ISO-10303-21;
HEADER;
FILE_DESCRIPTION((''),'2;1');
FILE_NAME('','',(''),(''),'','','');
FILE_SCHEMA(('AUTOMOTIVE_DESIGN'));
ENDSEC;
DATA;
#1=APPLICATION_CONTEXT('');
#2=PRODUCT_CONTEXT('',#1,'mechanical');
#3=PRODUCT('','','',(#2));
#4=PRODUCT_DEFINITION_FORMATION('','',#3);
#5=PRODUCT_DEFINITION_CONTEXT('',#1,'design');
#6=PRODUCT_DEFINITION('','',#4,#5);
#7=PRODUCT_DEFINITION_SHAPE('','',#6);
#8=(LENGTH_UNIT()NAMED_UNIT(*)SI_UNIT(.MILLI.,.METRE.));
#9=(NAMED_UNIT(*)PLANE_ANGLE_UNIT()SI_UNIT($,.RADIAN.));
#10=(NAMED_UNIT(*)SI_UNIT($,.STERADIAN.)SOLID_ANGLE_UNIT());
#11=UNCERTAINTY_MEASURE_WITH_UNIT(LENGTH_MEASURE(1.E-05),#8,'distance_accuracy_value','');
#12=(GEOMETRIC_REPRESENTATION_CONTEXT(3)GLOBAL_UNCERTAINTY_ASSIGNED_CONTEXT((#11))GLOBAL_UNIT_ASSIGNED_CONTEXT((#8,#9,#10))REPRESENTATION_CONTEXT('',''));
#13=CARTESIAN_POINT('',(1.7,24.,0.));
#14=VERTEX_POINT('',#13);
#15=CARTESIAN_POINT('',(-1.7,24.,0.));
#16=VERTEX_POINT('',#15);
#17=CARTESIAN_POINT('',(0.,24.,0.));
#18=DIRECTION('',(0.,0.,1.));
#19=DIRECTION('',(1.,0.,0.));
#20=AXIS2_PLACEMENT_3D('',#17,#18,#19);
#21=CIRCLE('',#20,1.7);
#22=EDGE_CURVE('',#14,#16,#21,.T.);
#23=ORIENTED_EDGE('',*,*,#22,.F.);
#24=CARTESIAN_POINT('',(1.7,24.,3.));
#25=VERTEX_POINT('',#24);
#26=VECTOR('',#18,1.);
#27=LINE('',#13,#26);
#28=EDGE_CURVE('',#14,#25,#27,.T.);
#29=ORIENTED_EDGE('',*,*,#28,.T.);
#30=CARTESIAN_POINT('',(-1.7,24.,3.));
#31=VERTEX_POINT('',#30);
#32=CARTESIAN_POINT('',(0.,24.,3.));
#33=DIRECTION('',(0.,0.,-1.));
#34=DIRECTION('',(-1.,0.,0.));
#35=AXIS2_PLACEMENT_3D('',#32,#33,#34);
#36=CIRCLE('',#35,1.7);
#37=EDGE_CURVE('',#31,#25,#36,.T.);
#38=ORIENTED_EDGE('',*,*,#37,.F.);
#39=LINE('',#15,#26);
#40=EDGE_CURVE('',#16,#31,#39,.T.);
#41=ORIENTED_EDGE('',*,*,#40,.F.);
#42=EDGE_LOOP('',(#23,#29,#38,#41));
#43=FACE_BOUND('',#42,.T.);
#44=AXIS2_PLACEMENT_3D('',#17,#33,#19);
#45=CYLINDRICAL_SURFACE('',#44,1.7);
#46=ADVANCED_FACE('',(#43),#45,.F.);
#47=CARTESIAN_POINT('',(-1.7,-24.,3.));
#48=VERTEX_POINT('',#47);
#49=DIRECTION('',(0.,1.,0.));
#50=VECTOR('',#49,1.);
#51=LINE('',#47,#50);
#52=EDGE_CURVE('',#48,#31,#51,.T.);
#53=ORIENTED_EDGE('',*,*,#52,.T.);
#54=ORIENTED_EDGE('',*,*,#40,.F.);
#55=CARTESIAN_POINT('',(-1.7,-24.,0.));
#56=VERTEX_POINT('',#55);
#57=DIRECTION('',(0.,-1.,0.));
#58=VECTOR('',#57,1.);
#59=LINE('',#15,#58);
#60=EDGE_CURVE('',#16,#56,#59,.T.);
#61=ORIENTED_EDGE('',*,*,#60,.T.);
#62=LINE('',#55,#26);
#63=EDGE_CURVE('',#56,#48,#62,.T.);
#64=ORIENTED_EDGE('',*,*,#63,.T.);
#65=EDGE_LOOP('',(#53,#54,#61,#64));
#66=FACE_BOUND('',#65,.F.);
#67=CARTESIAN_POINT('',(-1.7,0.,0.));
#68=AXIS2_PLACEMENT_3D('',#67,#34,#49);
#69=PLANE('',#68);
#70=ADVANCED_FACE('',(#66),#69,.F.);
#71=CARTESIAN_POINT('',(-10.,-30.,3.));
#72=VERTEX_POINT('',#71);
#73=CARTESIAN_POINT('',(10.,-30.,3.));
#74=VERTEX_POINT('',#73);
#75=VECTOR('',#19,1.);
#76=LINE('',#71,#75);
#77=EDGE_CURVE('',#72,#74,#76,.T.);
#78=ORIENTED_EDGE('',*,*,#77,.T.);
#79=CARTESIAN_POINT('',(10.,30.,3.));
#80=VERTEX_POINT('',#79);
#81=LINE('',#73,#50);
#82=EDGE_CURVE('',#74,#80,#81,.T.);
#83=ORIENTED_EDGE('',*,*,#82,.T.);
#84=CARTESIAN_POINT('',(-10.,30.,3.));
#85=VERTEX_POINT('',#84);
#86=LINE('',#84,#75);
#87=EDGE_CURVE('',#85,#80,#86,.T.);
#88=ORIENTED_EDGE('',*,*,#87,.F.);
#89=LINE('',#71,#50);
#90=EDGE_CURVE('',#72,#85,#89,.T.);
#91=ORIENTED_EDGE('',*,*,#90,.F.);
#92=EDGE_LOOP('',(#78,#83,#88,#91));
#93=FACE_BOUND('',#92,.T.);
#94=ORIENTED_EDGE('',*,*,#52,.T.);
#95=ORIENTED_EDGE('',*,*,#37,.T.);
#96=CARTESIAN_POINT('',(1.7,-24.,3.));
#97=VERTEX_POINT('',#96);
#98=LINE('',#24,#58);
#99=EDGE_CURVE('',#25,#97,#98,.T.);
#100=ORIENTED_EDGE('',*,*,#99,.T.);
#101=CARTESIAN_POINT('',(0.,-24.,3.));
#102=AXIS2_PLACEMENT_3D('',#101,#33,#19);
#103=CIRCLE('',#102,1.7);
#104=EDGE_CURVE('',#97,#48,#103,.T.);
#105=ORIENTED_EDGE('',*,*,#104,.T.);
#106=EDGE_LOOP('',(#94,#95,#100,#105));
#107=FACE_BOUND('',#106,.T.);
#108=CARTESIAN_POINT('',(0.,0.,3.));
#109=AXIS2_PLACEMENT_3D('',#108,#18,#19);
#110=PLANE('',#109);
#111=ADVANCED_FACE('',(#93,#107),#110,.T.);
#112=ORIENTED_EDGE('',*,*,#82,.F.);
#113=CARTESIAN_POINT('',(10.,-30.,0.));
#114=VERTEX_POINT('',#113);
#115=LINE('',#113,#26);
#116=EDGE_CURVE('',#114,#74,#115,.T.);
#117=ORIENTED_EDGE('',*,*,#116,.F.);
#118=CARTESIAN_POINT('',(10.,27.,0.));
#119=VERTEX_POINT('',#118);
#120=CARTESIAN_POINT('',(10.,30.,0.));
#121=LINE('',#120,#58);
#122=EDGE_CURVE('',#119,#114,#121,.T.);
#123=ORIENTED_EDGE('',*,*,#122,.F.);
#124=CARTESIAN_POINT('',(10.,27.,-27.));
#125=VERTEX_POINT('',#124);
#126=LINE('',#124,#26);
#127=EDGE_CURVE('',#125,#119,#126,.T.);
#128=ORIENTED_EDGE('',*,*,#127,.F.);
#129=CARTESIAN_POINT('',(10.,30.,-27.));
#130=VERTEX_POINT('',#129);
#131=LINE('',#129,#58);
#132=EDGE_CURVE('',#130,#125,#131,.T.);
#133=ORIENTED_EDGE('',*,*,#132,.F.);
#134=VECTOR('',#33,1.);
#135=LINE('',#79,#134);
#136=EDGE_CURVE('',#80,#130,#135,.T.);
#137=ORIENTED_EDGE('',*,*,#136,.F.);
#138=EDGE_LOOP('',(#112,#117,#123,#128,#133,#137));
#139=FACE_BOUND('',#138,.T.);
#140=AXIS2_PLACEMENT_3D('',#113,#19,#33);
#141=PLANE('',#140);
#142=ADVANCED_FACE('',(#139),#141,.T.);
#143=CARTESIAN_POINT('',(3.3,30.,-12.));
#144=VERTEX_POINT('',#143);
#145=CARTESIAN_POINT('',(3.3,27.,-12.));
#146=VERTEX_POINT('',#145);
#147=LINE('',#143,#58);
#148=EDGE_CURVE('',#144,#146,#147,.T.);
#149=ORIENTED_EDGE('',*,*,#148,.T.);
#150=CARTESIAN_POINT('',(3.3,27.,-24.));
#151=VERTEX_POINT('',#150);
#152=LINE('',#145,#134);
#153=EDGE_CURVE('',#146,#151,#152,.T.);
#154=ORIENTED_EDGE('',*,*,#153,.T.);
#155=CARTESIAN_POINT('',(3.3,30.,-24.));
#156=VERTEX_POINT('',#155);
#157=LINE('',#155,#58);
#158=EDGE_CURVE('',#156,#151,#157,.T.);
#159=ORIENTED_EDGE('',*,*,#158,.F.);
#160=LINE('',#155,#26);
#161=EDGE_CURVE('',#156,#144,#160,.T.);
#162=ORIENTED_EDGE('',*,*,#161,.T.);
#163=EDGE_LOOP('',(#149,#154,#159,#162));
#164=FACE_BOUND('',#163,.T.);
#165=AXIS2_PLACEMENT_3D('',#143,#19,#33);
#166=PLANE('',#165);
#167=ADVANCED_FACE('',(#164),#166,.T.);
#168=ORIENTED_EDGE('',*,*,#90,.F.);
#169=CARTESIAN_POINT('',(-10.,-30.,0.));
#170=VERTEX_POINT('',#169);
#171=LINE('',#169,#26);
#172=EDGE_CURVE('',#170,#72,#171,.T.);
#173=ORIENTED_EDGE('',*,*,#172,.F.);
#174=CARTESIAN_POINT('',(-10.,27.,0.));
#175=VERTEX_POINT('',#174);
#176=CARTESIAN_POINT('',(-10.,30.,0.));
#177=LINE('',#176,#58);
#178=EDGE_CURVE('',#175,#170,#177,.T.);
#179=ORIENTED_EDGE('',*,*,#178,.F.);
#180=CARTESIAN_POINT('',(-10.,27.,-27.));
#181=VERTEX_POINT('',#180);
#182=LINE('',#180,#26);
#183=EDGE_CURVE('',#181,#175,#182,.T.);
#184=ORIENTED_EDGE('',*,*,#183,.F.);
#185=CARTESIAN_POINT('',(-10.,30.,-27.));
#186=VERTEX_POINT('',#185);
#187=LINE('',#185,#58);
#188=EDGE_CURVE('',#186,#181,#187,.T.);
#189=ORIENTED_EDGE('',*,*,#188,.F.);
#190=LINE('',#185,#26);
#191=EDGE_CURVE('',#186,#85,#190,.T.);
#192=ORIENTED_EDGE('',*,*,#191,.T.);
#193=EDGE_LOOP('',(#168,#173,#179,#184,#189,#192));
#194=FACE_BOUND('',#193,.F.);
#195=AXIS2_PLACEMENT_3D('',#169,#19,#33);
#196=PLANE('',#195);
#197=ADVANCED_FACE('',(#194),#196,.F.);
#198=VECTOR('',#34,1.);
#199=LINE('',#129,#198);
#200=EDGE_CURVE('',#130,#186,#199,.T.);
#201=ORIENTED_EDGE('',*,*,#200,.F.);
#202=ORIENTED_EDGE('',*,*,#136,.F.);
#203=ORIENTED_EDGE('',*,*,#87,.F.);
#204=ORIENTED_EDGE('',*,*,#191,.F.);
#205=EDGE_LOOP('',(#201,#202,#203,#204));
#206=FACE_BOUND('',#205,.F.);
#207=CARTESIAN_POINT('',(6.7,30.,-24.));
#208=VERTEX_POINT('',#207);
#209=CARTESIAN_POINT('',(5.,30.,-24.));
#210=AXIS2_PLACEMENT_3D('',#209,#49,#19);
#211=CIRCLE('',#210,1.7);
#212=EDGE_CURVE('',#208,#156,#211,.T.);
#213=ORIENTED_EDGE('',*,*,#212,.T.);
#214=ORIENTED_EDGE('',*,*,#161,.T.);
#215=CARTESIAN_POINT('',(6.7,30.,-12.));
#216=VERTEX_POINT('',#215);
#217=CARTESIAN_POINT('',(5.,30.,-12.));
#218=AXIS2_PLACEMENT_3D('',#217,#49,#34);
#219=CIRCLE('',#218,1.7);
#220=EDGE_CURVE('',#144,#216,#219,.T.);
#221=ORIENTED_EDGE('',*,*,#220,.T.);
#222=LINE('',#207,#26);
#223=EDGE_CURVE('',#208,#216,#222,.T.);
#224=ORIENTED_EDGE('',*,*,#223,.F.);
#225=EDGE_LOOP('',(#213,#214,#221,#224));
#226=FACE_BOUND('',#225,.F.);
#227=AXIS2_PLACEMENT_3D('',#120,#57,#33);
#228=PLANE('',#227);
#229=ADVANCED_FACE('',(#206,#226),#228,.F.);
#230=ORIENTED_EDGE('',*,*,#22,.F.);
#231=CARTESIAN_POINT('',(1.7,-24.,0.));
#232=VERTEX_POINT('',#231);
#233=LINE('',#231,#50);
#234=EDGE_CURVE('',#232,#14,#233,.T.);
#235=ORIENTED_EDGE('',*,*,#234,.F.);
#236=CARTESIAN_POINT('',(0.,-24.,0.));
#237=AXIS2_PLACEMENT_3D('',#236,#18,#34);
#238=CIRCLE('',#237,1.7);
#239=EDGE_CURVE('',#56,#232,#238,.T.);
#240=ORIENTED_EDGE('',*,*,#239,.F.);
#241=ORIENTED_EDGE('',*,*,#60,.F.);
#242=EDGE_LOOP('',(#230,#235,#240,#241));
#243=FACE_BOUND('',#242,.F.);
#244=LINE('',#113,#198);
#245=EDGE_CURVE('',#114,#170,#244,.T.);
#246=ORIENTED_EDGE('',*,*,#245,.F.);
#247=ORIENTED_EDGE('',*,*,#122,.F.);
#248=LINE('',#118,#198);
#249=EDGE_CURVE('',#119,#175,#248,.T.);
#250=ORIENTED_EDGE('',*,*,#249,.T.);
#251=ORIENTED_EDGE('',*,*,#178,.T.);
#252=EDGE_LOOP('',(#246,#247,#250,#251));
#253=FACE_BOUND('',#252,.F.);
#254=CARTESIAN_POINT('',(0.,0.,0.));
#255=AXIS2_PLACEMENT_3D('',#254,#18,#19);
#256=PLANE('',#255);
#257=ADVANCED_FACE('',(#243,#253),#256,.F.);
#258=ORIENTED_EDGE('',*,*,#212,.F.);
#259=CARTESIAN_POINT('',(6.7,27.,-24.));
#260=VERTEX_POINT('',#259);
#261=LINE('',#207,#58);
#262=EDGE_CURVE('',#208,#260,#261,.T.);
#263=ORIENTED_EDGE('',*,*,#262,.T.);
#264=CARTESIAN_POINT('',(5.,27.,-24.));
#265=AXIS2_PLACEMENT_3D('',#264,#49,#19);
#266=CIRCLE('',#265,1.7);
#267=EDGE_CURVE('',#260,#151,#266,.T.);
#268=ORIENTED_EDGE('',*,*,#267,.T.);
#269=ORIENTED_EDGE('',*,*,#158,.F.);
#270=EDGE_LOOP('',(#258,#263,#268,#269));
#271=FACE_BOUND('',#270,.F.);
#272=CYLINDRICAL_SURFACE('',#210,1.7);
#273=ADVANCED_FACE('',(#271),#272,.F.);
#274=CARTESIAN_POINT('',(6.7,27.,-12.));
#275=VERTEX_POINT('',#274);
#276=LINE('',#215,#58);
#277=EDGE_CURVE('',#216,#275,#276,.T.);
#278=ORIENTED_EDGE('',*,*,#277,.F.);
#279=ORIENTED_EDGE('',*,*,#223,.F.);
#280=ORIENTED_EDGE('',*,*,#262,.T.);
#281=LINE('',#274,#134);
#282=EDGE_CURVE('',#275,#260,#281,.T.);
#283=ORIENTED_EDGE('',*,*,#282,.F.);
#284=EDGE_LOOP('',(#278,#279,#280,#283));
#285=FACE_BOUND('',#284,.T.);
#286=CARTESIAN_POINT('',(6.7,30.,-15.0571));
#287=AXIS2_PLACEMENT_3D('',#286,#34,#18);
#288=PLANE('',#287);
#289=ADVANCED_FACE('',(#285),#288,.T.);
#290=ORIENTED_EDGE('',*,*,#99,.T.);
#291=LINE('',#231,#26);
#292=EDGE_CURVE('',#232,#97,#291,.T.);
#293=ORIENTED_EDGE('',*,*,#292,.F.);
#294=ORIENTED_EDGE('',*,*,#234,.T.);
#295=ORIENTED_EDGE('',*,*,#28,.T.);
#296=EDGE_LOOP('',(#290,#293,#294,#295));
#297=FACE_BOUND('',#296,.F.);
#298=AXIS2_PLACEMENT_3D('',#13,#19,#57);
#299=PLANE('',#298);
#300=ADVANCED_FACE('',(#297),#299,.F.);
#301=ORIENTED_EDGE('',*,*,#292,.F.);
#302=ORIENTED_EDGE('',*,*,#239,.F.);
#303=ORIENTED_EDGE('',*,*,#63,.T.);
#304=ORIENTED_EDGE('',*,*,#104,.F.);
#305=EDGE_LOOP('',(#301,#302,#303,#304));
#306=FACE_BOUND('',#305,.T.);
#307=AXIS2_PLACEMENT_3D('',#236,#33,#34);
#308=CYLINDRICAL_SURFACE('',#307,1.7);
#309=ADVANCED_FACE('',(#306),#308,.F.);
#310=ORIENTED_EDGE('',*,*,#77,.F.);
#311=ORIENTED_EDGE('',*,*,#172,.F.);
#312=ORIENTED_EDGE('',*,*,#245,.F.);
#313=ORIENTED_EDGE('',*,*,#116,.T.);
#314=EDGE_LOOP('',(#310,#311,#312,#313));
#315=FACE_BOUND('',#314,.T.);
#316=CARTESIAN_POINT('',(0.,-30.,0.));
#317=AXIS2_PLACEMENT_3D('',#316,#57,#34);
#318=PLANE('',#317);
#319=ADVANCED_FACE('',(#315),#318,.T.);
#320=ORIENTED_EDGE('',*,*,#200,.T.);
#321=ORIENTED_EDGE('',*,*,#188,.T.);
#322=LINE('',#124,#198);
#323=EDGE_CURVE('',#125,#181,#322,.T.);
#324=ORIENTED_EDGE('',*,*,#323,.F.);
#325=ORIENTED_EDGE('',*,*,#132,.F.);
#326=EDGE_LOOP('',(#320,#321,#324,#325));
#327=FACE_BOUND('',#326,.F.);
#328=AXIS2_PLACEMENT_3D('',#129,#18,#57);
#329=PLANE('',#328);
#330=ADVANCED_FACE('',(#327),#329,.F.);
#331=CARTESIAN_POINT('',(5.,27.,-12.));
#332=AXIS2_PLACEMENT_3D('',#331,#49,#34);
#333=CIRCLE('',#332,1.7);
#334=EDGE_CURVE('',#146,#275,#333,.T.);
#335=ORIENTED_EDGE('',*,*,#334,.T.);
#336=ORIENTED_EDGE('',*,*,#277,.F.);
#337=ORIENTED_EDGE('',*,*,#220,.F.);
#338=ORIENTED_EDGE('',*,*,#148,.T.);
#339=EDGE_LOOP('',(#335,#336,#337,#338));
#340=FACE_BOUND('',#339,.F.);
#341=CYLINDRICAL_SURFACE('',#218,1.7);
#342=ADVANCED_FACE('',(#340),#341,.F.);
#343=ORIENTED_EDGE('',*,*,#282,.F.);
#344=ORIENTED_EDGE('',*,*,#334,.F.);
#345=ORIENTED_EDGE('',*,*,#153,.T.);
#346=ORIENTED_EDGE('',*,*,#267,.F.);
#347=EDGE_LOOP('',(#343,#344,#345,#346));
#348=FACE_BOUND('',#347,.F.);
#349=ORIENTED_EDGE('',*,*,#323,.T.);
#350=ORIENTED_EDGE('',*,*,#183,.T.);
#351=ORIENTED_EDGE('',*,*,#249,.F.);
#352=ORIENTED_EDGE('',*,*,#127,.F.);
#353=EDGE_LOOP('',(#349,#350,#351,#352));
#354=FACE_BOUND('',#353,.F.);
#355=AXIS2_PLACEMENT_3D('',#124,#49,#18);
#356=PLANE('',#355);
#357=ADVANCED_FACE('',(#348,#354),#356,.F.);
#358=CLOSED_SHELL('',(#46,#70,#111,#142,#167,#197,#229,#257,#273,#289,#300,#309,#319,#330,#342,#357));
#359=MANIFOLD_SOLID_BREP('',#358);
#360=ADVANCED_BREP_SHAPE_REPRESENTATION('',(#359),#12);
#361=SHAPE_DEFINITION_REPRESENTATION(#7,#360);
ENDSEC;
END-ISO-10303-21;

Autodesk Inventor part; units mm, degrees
ref_plane "YZ Plane" through (0, 0, 0) normal (1, 0, 0) x (0, 1, 0)
ref_plane "XZ Plane" through (0, 0, 0) normal (0, 1, 0) x (-1, 0, 0)
ref_plane "XY Plane" through (0, 0, 0) normal (0, 0, 1) x (1, 0, 0)
sketch "Skizze1" plane through (0, 0, 0) normal (0, 0, 1) x (1, 0, 0)
  line L0 (-10, 30) -> (10, 30)
  line L1 (10, 30) -> (10, -30)
  line L2 (10, -30) -> (-10, -30)
  line L3 (-10, -30) -> (-10, 30)
  line L4 (-14, 0) -> (14, 0) projected
  line L5 (0, -42) -> (0, 42) projected
  line L6 (1.7, 24) -> (1.7, -24)
  line L7 (-1.7, -24) -> (-1.7, 24)
  arc A0 (1.7, 24) -> (-1.7, 24) centre (0, 24) ccw
  arc A1 (-1.7, -24) -> (1.7, -24) centre (0, -24) ccw
  point P0 (0, 0)
  dimension "d0" = 20
  dimension "d1" = 3.4
  dimension "d2" = 60
  dimension "d3" = 48
extrude "Extrusion1" add sketch "Skizze1" along normal blind 3 contours L0 L5 A0 L7 L4 L3 | L0 L1 L4 L6 A0 L5 | L4 L7 A1 L5 L2 L3 | L1 L2 L5 A1 L6 L4
sketch "Skizze2" plane through (10, -30, 0) normal (1, 0, 0) x (0, 0, -1)
  line L0 (-3, 60) -> (-3, 0) projected
  line L1 (0, 60) -> (27, 60)
  line L2 (27, 60) -> (27, 57)
  line L3 (27, 57) -> (0, 57)
  line L4 (0, 57) -> (0, 60)
  point P0 (0, 30)
  dimension "d6" = 3
  dimension "d7" = 30
extrude "Extrusion2" add sketch "Skizze2" against normal up to surface (20 mm away)
sketch "Skizze3" plane through (-10, 30, 3) normal (0, 1, 0) x (1, 0, 0)
  line L0 (0, 0) -> (20, 0) projected
  line L1 (20, 30) -> (0, 30) projected
  line L2 (10, 30) -> (10, 0)
  line L3 (13, 30) -> (17, 30)
  line L4 (17, 30) -> (17, 18.0571)
  line L5 (17, 18.0571) -> (13, 18.0571)
  line L6 (13, 18.0571) -> (13, 30)
  line L7 (16.7, 27) -> (16.7, 15)
  line L8 (13.3, 15) -> (13.3, 27)
  arc A0 (16.7, 27) -> (13.3, 27) centre (15, 27) ccw
  arc A1 (13.3, 15) -> (16.7, 15) centre (15, 15) ccw
  line L9 (15, 27) -> (15, 15)
  point P0 (10, 3)
  dimension "d10" = 3
  dimension "d11" = 4
  dimension "d12" = 2
  dimension "d13" = 3.4
  dimension "d14" = 3
  dimension "d15" = 12
extrude "Extrusion3" cut sketch "Skizze3" against normal blind 3 contours L7 A1 L8 L5 | L5 L8 A0 L7
properties part number "13_0204_065"
